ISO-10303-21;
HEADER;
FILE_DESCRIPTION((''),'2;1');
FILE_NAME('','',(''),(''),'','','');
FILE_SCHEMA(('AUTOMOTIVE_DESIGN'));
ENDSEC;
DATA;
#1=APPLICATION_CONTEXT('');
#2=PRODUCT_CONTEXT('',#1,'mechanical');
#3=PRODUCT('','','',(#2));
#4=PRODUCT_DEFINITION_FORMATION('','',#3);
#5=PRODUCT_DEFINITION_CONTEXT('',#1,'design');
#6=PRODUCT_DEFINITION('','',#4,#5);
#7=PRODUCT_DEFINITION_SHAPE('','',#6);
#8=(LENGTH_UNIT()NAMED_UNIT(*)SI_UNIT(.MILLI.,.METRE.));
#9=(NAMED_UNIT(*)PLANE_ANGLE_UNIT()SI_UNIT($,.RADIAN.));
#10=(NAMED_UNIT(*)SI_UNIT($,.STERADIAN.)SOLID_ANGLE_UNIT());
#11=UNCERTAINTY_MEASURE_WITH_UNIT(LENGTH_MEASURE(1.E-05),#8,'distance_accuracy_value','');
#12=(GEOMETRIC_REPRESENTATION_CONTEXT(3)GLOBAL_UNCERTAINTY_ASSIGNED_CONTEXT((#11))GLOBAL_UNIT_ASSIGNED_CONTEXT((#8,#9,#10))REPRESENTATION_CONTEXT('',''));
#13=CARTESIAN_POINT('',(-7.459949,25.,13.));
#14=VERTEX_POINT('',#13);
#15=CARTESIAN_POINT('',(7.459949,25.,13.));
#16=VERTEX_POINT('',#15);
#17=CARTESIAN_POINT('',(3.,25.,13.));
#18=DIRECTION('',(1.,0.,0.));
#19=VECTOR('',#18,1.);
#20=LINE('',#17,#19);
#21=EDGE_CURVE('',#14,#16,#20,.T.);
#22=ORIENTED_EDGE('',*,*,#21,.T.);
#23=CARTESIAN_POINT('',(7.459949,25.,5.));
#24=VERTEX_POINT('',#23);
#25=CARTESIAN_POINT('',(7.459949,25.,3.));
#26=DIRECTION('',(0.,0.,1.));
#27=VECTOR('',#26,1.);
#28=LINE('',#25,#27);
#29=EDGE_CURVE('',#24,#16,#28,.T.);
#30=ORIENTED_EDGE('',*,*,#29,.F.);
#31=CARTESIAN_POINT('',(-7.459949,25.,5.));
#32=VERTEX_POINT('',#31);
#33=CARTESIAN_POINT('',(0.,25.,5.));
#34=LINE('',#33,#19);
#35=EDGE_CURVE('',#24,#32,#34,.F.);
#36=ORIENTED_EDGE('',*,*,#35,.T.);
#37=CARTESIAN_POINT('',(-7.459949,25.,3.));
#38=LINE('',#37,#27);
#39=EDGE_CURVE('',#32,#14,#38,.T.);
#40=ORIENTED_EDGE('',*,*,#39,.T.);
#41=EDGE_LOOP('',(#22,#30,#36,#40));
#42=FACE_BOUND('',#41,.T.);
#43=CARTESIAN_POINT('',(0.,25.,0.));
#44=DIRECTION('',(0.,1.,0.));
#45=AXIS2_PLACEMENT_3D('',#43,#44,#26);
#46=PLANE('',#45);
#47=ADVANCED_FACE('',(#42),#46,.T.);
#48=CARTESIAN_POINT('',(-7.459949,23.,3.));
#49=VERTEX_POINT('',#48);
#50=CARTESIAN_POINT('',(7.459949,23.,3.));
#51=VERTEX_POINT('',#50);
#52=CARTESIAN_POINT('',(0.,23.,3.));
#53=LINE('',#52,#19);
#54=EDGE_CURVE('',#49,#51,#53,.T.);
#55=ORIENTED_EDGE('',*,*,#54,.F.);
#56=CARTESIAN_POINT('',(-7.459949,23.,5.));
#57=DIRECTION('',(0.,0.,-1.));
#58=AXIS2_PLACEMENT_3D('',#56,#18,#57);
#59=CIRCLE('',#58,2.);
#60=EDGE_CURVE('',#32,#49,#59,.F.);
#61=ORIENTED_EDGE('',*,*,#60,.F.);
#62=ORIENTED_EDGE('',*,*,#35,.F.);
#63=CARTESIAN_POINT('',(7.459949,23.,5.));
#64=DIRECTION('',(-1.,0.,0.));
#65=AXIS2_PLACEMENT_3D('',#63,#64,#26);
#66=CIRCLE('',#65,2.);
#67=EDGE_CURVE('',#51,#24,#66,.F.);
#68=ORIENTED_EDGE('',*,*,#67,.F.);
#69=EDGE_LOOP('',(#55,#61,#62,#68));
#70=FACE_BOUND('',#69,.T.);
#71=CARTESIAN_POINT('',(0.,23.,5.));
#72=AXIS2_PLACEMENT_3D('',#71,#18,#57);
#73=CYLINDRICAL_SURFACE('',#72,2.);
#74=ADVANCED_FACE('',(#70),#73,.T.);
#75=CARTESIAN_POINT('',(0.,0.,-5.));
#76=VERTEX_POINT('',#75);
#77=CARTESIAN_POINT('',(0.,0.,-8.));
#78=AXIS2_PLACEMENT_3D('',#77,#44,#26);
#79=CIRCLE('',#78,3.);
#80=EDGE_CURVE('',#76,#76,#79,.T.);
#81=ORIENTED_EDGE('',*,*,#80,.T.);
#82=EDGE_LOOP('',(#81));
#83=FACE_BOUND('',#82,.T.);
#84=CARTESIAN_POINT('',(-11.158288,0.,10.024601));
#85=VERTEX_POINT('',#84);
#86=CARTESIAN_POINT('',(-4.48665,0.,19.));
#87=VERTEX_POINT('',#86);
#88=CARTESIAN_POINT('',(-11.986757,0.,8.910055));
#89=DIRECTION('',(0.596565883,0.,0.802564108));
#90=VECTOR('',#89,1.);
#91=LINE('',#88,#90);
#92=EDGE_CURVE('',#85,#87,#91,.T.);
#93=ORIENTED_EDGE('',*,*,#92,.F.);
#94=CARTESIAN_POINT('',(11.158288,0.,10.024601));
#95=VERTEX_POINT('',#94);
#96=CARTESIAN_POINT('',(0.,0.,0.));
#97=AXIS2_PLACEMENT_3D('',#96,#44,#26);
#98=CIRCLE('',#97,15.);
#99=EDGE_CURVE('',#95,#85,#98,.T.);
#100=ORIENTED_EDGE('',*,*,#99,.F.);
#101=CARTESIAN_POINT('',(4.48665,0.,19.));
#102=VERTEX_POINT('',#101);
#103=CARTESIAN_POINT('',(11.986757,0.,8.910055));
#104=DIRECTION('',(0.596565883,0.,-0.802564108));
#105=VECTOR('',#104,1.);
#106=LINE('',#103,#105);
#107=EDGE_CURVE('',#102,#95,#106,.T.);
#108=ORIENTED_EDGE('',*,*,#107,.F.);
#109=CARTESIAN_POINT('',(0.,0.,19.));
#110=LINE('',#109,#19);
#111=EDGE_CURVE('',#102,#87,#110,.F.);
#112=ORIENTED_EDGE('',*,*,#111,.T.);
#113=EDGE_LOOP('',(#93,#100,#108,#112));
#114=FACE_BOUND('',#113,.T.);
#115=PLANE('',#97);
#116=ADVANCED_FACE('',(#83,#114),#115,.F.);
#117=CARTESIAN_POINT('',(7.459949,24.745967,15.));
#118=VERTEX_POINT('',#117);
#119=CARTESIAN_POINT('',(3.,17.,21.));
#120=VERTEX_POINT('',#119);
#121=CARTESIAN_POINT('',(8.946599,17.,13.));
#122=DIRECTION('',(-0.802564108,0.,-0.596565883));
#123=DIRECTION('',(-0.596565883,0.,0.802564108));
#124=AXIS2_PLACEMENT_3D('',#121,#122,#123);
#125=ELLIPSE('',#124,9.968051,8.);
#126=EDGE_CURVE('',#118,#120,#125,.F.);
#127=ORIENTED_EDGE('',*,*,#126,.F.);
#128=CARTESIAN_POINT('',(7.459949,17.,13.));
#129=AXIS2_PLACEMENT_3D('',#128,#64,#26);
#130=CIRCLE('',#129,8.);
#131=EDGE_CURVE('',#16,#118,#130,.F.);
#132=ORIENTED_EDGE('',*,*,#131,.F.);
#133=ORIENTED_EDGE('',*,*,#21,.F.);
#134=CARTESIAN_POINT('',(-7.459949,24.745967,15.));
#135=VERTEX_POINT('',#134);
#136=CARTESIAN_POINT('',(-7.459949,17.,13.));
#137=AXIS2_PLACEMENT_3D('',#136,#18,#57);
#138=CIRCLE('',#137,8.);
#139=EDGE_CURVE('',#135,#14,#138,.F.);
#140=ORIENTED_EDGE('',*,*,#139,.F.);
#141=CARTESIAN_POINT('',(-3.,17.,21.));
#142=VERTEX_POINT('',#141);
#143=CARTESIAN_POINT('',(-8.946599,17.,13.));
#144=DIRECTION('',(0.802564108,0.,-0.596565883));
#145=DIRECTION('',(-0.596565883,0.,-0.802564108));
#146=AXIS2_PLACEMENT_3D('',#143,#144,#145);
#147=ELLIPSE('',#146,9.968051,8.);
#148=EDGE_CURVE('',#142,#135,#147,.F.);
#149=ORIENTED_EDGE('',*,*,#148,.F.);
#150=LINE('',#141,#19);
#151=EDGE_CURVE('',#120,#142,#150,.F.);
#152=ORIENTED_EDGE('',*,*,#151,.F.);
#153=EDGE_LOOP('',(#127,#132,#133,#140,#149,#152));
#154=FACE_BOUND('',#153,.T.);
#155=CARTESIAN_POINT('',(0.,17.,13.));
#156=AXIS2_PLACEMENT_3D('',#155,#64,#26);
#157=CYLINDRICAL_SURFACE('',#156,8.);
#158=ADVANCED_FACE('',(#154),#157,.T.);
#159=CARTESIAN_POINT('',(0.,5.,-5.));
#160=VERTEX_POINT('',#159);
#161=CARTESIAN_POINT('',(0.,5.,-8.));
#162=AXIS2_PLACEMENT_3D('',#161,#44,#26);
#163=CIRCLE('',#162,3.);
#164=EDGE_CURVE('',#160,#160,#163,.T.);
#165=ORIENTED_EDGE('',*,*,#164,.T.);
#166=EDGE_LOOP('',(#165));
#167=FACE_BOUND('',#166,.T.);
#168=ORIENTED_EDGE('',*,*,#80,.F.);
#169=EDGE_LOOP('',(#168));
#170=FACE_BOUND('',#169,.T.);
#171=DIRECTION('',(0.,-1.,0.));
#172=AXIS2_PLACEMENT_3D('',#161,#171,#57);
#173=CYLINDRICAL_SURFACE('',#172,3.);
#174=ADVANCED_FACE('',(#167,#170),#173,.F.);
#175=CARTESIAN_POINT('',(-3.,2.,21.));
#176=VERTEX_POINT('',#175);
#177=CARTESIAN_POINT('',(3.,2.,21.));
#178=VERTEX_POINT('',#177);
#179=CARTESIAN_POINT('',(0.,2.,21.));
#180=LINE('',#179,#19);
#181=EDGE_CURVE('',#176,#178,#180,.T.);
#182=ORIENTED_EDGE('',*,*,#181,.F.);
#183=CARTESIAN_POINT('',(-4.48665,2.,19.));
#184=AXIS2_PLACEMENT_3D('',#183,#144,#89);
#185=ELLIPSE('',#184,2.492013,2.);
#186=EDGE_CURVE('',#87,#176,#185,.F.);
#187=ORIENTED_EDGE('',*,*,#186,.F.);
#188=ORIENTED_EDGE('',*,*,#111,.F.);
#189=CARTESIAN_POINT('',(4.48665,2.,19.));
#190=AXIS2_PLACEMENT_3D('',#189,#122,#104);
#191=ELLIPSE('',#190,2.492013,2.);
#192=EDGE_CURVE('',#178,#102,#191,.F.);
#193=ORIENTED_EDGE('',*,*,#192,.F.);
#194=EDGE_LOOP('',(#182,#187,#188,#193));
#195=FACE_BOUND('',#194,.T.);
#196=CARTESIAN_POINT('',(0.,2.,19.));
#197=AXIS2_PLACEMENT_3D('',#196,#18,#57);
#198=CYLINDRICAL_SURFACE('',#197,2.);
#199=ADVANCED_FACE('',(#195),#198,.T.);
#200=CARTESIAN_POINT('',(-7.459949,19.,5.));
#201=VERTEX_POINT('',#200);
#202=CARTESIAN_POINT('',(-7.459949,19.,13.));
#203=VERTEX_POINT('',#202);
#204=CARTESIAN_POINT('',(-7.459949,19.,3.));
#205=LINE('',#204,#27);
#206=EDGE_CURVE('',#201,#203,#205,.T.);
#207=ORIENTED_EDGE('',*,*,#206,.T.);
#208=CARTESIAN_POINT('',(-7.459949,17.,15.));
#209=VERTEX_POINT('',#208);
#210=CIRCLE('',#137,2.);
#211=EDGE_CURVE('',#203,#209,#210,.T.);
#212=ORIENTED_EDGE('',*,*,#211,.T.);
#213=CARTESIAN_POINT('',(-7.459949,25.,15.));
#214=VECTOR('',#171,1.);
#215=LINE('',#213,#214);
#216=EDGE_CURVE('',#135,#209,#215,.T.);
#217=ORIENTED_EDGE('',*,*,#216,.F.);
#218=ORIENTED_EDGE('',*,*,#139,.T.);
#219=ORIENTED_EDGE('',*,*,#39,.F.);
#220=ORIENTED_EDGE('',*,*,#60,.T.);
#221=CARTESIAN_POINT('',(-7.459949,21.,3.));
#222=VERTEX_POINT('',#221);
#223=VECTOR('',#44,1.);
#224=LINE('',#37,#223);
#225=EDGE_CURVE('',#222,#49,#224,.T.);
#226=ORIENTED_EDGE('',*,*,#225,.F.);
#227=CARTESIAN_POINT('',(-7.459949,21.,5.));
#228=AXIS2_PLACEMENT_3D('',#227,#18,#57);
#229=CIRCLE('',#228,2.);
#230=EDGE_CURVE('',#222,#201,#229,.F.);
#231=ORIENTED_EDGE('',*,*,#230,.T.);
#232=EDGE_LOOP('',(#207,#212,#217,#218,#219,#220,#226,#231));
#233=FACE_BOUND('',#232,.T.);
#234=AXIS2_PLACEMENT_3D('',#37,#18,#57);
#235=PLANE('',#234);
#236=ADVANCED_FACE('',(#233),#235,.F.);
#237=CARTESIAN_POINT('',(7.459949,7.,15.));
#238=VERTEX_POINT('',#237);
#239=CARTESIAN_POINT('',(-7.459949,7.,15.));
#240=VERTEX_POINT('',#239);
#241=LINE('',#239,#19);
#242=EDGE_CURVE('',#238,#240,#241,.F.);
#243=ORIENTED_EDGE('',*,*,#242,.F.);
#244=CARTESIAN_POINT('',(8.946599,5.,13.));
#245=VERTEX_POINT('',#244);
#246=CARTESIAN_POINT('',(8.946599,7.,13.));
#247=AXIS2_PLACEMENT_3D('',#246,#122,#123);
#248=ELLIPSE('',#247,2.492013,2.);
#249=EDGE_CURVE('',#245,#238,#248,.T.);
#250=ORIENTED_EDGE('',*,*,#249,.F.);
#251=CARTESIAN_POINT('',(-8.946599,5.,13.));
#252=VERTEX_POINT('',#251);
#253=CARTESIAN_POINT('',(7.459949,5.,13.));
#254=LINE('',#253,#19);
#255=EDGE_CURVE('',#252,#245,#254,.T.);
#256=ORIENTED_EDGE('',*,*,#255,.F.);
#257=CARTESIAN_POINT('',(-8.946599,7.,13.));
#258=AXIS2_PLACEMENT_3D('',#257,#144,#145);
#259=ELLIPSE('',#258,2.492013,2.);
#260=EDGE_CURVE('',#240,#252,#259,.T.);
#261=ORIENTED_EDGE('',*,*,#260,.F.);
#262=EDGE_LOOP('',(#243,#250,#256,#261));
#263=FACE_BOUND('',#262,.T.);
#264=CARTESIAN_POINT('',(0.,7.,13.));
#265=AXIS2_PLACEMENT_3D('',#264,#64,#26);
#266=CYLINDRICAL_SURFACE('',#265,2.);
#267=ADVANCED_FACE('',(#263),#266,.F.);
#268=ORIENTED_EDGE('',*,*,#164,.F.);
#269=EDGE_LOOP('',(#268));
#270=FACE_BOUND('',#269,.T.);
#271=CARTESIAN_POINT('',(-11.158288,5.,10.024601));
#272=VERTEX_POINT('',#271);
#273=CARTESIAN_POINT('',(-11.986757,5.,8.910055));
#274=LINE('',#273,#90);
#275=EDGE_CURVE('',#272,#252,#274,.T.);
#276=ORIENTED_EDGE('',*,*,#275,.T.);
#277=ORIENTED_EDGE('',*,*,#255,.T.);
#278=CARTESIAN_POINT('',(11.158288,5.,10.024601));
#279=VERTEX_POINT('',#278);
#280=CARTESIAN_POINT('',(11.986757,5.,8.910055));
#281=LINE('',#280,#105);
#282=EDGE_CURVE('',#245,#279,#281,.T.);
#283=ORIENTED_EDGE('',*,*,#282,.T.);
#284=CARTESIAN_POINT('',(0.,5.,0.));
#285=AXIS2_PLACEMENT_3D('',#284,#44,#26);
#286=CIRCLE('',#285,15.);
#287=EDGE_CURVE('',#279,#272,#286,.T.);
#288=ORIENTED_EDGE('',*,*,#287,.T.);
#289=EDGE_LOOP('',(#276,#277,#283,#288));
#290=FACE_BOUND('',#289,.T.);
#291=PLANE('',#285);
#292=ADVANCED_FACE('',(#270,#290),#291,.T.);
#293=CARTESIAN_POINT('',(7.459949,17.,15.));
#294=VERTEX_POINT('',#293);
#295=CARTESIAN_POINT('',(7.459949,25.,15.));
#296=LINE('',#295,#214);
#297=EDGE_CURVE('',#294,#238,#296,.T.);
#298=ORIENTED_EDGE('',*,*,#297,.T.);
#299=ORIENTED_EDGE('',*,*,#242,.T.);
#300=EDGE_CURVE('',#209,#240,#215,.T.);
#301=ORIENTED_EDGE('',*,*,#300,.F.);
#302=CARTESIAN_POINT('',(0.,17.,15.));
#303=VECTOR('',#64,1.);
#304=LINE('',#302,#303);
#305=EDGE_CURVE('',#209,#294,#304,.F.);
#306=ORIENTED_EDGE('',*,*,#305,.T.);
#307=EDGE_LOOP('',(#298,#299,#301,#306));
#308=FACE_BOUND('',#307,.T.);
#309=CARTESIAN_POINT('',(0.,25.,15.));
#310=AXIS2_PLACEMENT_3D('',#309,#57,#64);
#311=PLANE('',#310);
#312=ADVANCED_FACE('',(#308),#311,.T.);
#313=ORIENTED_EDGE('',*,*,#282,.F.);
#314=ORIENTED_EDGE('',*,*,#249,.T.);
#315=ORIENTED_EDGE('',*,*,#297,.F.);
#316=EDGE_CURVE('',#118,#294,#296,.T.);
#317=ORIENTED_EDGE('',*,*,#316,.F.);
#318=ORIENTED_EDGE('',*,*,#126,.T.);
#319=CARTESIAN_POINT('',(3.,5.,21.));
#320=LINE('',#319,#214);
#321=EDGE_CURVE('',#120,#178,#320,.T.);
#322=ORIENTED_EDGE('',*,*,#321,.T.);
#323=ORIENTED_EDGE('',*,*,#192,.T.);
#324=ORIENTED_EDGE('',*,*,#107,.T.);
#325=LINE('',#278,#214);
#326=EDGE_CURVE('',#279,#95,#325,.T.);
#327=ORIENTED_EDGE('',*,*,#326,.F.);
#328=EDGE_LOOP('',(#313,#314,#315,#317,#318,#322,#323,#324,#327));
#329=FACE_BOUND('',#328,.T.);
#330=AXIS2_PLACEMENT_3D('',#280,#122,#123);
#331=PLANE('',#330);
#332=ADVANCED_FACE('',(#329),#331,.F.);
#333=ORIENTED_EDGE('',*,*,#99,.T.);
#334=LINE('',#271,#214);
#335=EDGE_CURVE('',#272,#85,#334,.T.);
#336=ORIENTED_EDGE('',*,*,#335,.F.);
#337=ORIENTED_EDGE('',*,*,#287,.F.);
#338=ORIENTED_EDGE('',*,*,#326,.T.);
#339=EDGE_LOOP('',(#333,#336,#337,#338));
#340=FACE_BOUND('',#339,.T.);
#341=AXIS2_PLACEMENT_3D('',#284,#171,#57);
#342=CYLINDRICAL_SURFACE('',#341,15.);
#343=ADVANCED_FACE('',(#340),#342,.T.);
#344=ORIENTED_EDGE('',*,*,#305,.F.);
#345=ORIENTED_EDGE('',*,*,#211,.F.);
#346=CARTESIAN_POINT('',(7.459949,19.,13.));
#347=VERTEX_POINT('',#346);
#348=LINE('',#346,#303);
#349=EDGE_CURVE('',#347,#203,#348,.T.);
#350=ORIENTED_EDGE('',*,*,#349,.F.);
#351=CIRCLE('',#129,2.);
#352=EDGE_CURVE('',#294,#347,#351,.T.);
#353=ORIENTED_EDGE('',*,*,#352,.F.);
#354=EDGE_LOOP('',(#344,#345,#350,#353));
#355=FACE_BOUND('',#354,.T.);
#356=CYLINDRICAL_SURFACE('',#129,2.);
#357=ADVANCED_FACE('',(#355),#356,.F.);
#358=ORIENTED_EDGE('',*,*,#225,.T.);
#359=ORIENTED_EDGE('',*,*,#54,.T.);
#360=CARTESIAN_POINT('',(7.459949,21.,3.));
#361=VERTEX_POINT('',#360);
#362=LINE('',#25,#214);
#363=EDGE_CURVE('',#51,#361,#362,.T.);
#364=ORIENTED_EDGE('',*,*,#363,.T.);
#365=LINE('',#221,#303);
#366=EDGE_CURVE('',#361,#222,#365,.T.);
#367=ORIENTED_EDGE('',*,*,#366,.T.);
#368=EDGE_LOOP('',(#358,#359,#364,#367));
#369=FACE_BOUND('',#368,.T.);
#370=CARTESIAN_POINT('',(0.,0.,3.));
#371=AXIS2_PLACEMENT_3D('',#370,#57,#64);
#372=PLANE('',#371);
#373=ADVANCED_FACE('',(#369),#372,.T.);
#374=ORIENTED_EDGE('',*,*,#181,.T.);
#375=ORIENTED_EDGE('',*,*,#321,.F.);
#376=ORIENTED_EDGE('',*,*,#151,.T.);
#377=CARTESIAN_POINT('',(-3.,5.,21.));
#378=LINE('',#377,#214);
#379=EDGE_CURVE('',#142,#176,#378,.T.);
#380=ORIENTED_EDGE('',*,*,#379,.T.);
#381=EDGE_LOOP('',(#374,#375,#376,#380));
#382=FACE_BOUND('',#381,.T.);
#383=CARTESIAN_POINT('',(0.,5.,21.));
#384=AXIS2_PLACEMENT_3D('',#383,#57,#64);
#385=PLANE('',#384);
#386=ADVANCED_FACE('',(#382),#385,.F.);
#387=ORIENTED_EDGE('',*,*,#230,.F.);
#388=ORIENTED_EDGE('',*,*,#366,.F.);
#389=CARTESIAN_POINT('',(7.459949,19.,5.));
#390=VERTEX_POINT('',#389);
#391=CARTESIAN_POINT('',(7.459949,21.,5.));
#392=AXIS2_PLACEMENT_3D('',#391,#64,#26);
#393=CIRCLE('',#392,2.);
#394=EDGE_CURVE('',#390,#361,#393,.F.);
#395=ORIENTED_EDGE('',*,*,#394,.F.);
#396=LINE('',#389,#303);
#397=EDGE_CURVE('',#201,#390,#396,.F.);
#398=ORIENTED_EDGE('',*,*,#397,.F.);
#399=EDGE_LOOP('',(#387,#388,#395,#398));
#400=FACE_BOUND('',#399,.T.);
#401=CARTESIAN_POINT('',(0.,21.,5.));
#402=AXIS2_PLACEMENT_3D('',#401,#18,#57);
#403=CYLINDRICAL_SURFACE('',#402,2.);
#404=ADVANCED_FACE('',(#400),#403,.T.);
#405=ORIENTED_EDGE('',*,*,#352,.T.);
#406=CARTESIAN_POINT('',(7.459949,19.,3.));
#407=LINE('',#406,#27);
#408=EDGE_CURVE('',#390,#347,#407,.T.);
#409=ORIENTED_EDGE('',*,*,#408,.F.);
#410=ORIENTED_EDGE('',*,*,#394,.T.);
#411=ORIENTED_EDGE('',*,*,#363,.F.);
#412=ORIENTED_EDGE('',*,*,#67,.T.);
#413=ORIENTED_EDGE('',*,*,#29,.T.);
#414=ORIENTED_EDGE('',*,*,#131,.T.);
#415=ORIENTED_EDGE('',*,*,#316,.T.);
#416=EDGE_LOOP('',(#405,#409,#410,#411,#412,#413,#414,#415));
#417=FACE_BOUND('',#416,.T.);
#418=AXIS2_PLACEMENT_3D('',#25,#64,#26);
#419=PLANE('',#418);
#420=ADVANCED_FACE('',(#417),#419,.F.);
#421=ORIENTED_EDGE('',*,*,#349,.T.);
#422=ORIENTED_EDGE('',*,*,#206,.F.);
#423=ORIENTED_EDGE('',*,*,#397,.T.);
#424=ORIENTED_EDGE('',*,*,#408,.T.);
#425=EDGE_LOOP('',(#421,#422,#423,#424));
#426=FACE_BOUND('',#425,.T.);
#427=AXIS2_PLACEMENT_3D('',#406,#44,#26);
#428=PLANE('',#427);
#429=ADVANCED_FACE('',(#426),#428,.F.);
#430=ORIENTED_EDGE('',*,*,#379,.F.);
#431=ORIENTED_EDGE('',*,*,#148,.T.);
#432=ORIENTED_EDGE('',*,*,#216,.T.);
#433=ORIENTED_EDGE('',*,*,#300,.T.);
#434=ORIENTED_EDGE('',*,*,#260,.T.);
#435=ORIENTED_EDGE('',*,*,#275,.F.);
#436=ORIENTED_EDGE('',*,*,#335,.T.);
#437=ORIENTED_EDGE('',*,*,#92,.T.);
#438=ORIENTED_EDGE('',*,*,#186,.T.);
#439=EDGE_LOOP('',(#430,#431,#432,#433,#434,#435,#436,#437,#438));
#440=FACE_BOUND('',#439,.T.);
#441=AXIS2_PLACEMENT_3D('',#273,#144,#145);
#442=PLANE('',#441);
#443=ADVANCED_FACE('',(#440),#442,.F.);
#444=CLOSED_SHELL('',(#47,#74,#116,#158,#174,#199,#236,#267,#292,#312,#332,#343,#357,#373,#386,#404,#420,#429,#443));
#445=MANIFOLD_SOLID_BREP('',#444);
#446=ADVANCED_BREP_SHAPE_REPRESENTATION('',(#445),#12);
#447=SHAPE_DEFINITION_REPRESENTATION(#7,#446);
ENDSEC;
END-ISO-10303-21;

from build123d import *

# Parameters (mm, degrees)
SKETCH1_R           = 3
BOSS_EXTRUDE2_DEPTH = 5
SKETCH2_W           = 6
SKETCH2_H           = 6
BOSS_EXTRUDE5_DEPTH = 20
SKETCH6_W           = 14.919898766
SKETCH6_H           = 6
BOSS_EXTRUDE6_DEPTH = 12
FILLET2_R           = 8
FILLET3_R           = 2
FILLET4_R           = 2
FILLET5_R           = 2
FILLET6_R           = 2


with BuildPart() as part:
    # Sketch1 → Boss-Extrude2 (new body)
    with BuildSketch(Plane(origin=(0, 0, 0), x_dir=(1, 0, 0), z_dir=(0, 1, 0))):
        with BuildLine():
            ThreePointArc((11.158287634, -10.024600595), (0, 15), (-11.158287634, -10.024600595))
            Line((-11.158287634, -10.024600595), (-3, -21))
            Line((-3, -21), (3, -21))
            Line((3, -21), (11.158287634, -10.024600595))
        make_face()
        with Locations(Location((0, 8, 0), (0, 0, 270))):
            Circle(SKETCH1_R, mode=Mode.SUBTRACT)
    extrude(amount=BOSS_EXTRUDE2_DEPTH)

    # Sketch2 → Boss-Extrude5 (add)
    with BuildSketch(Plane(origin=(0, 5, 0), x_dir=(1, 0, 0), z_dir=(0, 1, 0))):
        Polygon((-7.459949383, -15), (-3, -21), (-3, -15), align=None)
        with Locations((0, -18)):
            Rectangle(SKETCH2_W, SKETCH2_H)
        Polygon((3, -15), (3, -21), (7.459949383, -15), align=None)
    extrude(amount=BOSS_EXTRUDE5_DEPTH)

    # Sketch6 → Boss-Extrude6 (add)
    with BuildSketch(Plane(origin=(0, 0, 15), x_dir=(-1, 0, 0), z_dir=(0, 0, -1))):
        with Locations((0, 22)):
            Rectangle(SKETCH6_W, SKETCH6_H)
    extrude(amount=BOSS_EXTRUDE6_DEPTH)

    # Fillet2
    fillet2_edges = [part.edges().sort_by_distance(p)[0] for p in [
        (0, 25, 21),
    ]]
    fillet(fillet2_edges, radius=FILLET2_R)

    # Fillet3
    fillet3_edges = [part.edges().sort_by_distance(p)[0] for p in [
        (0, 5, 15),
    ]]
    fillet(fillet3_edges, radius=FILLET3_R)

    # Fillet4
    fillet4_edges = [part.edges().sort_by_distance(p)[0] for p in [
        (0, 19, 15),
    ]]
    fillet(fillet4_edges, radius=FILLET4_R)

    # Fillet5
    fillet5_edges = [part.edges().sort_by_distance(p)[0] for p in [
        (0, 0, 21),
    ]]
    fillet(fillet5_edges, radius=FILLET5_R)

    # Fillet6
    fillet6_edges = [part.edges().sort_by_distance(p)[0] for p in [
        (0, 19, 3),
        (0, 25, 3),
    ]]
    fillet(fillet6_edges, radius=FILLET6_R)


solid = part.part
